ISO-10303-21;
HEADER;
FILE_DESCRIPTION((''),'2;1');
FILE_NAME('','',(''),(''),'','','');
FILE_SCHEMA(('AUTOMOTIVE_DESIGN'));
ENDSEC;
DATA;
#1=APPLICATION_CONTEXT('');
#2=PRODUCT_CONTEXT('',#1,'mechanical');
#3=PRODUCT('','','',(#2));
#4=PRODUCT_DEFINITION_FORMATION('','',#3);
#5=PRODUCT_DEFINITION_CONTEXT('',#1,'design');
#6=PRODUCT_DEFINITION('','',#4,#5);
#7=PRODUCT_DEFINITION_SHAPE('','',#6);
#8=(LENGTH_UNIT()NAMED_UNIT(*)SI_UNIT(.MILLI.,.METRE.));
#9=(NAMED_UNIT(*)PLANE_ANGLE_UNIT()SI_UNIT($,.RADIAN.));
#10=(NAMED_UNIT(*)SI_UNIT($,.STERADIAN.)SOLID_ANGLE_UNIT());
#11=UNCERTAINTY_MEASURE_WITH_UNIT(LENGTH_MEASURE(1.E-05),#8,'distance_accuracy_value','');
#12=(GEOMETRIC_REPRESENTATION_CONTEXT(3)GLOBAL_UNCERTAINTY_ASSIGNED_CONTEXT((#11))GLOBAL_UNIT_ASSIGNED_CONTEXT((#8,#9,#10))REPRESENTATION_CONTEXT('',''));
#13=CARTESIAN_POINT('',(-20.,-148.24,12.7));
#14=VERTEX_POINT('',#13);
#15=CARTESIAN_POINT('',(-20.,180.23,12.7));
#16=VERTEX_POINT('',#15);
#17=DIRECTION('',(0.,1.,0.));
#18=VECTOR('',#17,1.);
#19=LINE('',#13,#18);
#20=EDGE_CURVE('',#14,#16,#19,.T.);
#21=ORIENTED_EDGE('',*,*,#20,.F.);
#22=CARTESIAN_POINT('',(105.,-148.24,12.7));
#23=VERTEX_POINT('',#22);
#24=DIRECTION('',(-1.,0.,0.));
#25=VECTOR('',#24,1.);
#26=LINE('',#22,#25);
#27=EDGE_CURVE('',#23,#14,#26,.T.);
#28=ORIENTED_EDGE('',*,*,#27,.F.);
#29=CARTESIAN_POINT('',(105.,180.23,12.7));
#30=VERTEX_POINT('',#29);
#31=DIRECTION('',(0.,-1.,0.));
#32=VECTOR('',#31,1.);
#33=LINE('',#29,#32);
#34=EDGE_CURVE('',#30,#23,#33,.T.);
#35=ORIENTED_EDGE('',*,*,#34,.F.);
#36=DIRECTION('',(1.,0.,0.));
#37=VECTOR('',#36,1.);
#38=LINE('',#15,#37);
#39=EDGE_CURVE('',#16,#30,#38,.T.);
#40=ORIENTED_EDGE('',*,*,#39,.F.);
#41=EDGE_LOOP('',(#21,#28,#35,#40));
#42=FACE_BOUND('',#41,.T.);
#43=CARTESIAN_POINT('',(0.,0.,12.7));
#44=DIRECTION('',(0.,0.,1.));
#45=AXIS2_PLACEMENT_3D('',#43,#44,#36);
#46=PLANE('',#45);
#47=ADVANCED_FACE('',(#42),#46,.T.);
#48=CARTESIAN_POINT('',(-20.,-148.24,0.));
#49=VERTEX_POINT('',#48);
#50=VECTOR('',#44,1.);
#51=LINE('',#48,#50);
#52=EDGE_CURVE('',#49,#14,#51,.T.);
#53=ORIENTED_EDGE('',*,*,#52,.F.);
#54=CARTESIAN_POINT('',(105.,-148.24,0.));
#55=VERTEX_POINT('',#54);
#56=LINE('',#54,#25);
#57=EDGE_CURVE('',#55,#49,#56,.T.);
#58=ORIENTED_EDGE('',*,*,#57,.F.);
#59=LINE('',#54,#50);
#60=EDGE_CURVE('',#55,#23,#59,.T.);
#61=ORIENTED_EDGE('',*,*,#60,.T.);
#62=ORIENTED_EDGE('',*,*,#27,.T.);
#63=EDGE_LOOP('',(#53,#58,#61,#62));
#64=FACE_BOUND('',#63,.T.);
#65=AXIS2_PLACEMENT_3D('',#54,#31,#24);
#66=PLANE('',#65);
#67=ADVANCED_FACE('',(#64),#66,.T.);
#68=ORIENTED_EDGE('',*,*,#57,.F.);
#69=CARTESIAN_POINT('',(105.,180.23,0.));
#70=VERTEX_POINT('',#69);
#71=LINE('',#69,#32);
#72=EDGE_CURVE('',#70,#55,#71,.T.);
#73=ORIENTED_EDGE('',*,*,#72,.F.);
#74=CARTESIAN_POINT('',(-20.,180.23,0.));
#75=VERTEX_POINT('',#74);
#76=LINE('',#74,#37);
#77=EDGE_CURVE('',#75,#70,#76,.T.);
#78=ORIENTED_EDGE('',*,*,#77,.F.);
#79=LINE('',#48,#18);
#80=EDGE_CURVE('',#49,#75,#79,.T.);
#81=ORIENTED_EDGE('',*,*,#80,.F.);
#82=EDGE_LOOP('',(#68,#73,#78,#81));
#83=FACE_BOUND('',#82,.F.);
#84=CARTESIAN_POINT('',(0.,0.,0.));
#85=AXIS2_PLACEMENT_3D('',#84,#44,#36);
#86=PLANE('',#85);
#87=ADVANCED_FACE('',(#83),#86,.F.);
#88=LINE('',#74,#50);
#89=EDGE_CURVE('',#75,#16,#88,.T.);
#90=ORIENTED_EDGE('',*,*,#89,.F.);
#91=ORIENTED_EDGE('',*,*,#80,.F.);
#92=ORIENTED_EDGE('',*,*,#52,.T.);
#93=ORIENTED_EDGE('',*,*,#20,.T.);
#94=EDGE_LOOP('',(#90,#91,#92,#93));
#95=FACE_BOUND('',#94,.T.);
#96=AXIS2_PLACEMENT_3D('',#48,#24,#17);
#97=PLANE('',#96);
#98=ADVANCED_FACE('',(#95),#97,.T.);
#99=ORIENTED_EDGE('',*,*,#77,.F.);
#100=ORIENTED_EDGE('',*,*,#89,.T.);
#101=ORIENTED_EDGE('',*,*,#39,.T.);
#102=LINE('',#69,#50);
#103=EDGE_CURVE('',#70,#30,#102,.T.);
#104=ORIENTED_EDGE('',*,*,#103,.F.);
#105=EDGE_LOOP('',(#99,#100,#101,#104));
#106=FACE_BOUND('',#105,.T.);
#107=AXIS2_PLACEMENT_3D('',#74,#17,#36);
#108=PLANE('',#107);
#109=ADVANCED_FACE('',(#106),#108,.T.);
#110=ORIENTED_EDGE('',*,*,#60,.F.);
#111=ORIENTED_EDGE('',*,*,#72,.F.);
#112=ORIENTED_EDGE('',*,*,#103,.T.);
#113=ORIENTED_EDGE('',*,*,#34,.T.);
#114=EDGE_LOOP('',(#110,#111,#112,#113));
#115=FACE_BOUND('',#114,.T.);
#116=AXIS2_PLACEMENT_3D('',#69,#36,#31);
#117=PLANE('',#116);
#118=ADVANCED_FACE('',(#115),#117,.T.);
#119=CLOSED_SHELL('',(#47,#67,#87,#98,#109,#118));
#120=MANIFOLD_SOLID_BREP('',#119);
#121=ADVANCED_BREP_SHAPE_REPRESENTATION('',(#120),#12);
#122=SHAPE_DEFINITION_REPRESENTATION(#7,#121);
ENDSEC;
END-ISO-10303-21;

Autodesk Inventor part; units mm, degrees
ref_plane "YZ Plane" through (0, 0, 0) normal (1, 0, 0) x (0, 1, 0)
ref_plane "XZ Plane" through (0, 0, 0) normal (0, 1, 0) x (-1, 0, 0)
ref_plane "XY Plane" through (0, 0, 0) normal (0, 0, 1) x (1, 0, 0)
sketch "Esboço1" plane through (0, 0, 0) normal (0, 0, 1) x (1, 0, 0)
  line L0 (-20, 180.23) -> (105, 180.23)
  line L1 (105, 180.23) -> (105, -148.24)
  line L2 (105, -148.24) -> (-20, -148.24)
  line L3 (-20, -148.24) -> (-20, 180.23)
  dimension "d0" = 125
  dimension "d1" = 328.47
extrude "Extrusão1" add sketch "Esboço1" along normal blind 12.7
properties part number "BLOCO_SUPORTE_EIXO_Z_2"
